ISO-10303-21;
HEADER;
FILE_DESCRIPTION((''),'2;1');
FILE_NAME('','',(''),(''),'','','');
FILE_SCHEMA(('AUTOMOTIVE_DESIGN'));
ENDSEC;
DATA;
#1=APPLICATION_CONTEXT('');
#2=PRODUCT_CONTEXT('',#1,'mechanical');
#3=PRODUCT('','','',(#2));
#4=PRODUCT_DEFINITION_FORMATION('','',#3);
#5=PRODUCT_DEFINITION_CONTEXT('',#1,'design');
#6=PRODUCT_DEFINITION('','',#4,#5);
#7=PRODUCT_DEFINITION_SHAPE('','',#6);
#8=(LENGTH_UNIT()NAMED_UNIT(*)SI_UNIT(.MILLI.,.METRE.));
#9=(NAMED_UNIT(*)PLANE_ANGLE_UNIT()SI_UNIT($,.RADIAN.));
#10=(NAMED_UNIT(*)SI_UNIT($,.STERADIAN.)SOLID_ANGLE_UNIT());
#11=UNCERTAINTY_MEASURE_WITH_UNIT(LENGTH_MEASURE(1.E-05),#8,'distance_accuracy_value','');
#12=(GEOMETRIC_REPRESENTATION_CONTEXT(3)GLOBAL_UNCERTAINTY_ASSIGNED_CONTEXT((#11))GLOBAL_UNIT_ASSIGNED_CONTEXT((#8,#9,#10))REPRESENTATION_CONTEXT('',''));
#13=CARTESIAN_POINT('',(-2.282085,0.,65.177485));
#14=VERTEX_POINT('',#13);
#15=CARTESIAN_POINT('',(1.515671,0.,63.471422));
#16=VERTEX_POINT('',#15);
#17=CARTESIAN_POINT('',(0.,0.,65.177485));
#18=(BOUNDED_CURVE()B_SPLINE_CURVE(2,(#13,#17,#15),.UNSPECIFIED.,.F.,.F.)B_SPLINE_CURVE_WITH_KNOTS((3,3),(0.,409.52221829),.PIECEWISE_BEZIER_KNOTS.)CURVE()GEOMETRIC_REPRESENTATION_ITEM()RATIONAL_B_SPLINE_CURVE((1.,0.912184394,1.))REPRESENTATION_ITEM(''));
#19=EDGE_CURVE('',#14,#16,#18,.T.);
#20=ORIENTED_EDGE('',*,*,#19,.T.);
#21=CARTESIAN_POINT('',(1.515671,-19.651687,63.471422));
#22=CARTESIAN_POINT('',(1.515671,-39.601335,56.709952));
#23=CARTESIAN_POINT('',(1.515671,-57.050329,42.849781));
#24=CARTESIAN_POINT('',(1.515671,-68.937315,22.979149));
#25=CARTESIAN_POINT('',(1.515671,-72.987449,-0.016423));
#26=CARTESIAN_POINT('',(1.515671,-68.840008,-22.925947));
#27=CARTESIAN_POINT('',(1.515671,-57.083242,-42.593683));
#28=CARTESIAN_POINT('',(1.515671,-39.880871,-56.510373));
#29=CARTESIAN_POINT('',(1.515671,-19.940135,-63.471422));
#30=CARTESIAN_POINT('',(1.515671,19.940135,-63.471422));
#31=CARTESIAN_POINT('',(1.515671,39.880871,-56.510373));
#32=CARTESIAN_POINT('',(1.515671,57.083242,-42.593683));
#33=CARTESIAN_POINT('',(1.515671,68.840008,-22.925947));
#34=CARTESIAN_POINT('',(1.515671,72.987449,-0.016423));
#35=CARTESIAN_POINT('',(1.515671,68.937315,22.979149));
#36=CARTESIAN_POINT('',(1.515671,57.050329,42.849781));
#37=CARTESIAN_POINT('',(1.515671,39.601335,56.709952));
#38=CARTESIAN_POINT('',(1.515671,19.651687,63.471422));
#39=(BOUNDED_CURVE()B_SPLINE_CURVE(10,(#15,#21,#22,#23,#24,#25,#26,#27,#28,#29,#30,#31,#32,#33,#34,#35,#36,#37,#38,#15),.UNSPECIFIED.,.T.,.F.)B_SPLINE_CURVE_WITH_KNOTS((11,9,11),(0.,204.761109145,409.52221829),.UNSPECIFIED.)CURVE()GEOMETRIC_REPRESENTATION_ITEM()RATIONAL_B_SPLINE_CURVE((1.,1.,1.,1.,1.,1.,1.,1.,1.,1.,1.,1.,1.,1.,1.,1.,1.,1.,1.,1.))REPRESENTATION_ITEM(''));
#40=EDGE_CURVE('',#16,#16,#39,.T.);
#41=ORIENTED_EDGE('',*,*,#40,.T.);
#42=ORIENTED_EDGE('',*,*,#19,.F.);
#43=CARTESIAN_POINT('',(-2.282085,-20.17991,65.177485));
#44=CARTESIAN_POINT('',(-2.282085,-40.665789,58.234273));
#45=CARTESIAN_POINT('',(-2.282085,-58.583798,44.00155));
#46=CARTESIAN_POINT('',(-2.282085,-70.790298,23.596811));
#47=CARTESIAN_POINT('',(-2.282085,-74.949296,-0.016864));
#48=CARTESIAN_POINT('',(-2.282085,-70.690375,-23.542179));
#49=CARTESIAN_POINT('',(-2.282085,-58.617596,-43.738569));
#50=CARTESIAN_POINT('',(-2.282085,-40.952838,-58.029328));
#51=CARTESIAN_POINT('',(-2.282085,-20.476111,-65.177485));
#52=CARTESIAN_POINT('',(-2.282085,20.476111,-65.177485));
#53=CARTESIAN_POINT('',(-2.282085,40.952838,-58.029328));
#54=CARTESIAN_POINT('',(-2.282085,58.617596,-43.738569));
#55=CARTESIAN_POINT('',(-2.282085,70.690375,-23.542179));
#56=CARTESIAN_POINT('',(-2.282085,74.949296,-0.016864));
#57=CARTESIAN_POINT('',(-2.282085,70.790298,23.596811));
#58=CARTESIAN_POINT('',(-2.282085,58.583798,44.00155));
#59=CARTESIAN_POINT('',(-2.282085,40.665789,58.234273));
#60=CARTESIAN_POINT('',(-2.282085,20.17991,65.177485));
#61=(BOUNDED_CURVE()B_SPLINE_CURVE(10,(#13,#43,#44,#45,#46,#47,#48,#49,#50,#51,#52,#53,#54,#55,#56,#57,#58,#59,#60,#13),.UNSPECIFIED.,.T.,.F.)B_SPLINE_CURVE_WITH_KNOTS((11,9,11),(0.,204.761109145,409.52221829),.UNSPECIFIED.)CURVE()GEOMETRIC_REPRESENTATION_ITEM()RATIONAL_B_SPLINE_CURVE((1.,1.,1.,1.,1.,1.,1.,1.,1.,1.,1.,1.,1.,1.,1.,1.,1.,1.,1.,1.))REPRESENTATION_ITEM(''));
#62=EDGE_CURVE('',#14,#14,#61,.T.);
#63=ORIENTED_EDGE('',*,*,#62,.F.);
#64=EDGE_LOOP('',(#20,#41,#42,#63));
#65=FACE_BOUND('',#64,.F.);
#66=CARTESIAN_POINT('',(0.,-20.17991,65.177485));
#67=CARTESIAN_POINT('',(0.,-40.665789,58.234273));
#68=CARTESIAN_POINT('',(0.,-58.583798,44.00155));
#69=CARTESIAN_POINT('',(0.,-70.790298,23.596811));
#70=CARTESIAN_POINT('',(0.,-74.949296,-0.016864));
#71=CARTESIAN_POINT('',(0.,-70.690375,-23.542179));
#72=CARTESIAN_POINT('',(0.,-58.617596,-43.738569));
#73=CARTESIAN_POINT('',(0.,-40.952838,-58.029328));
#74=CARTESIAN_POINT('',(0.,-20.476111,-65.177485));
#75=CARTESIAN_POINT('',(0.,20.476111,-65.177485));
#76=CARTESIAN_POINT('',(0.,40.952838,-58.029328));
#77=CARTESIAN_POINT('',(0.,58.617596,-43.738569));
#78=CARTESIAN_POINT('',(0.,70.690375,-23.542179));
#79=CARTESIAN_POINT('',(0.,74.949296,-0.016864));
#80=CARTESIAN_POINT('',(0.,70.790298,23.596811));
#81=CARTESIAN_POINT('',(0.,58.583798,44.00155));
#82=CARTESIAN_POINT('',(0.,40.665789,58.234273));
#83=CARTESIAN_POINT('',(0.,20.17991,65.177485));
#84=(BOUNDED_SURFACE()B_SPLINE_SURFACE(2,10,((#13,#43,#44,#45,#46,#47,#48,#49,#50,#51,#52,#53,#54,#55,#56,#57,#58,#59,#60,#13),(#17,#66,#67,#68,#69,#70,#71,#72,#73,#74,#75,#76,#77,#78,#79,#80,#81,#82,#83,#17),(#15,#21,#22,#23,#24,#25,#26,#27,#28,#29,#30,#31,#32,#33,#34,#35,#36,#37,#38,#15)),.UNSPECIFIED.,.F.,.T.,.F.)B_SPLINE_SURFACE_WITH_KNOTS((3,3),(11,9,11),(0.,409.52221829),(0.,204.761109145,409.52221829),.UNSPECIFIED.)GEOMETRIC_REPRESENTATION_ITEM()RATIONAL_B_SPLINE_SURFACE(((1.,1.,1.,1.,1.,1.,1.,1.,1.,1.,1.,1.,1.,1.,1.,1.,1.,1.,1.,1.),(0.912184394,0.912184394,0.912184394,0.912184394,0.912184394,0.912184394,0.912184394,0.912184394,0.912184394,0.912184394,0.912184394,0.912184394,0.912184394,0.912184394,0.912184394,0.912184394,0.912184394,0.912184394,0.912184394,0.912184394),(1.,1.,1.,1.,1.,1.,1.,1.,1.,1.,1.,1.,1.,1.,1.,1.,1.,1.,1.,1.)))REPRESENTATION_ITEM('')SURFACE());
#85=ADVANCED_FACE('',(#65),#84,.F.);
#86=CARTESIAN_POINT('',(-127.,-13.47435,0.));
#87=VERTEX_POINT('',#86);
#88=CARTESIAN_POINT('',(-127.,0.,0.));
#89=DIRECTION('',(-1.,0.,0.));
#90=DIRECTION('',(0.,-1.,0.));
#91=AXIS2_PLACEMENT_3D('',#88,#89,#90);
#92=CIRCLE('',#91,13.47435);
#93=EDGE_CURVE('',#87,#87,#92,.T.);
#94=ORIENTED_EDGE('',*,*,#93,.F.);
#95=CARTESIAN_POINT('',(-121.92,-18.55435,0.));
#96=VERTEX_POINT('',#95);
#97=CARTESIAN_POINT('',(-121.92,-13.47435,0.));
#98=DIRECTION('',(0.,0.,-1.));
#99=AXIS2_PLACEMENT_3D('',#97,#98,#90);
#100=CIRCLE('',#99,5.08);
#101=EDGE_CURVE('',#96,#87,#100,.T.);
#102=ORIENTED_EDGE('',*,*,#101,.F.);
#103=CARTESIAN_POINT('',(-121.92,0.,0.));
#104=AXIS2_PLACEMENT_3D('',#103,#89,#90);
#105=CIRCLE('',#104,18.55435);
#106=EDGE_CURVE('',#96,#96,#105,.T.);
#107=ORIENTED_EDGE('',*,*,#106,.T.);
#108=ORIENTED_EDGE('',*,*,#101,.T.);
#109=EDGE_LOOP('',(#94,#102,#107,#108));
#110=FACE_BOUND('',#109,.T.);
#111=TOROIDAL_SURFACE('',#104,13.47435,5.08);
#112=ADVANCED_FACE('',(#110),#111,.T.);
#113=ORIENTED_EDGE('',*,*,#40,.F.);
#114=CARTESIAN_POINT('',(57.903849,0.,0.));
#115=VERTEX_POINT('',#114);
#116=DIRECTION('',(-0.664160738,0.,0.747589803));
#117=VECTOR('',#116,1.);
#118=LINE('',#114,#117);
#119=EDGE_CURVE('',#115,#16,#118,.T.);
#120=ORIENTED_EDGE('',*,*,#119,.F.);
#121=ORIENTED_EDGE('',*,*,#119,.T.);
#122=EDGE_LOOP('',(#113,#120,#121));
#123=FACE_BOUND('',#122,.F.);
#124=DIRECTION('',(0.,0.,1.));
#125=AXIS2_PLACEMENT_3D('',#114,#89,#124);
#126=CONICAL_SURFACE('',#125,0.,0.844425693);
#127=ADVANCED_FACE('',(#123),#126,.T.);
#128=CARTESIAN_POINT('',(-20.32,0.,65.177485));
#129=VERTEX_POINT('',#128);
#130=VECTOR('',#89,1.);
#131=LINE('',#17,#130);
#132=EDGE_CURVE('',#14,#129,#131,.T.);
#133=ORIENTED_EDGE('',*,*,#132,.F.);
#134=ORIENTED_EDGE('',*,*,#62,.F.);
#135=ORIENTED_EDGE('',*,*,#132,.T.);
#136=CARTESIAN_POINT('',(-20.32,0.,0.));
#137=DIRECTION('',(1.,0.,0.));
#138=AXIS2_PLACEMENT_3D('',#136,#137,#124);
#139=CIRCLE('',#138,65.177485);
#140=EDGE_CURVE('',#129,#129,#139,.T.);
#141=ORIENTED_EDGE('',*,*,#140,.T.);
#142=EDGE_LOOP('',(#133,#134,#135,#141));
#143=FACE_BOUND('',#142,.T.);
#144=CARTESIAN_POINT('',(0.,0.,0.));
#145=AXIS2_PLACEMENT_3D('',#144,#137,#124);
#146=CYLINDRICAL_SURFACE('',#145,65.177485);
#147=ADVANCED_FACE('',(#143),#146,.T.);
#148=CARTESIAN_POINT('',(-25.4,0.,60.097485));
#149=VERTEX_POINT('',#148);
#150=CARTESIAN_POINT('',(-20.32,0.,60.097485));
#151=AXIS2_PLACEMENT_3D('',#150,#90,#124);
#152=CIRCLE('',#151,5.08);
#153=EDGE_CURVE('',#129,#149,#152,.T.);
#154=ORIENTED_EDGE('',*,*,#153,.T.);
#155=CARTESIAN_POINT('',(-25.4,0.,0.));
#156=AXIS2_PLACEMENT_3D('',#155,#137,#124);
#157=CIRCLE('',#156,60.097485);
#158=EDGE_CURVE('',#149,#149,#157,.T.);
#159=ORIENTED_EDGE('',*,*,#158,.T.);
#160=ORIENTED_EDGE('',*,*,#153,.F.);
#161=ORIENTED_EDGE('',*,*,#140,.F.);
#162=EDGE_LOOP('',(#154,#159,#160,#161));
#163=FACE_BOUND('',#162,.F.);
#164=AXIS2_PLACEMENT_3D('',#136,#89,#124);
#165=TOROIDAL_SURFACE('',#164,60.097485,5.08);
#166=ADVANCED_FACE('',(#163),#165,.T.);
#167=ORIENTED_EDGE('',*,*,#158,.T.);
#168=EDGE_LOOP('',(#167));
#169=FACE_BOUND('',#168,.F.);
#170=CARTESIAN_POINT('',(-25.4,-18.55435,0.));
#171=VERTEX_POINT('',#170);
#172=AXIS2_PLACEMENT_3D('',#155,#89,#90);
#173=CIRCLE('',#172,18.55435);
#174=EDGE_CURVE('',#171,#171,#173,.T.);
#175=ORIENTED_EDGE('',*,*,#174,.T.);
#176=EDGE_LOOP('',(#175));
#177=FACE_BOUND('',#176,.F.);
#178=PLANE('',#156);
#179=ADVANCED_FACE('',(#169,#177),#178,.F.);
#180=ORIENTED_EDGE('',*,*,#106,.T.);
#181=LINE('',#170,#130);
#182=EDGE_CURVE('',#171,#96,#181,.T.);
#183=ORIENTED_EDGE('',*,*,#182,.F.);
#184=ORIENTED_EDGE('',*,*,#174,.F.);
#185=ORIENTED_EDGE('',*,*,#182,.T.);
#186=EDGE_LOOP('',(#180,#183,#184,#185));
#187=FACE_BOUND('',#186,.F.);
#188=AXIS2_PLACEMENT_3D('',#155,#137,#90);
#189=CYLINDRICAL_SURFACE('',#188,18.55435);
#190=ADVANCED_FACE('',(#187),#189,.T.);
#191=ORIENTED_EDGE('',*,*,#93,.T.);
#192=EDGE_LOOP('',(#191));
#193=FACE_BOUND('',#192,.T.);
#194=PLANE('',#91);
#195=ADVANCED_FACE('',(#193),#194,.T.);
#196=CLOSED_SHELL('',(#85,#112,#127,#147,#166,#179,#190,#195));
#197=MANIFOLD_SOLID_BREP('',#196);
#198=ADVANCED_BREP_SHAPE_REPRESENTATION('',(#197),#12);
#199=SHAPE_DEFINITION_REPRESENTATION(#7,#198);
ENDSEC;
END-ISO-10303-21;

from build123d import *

# Parameters (mm, degrees)
F2_DEPTH = 25.4
F3_R     = 18.5543497172
F4_DEPTH = 101.6
F5_R     = 5.08
F6_R     = 5.08
F7_R     = 5.08


with BuildPart() as f1:
    # F0 (on Front) → F1 (revolve)
    with BuildSketch(Plane.XZ):
        Polygon((0, 65.1774853468), (0, 0), (57.9038485885, 0), align=None)
    revolve(axis=Axis((28.9519242942, 0, 0), (1, 0, 0)))

    # F2 (add): a face of the model
    f2_faces = [f1.faces().sort_by_distance(p)[0] for p in [
        (0, 0, 0),
    ]]
    extrude(f2_faces, amount=F2_DEPTH)

    # F3 (on face) → F4 (join)
    with BuildSketch(Plane(origin=(-25.4, 0, 0), x_dir=(0, -1, 0), z_dir=(-1, 0, 0))):
        Circle(F3_R)
    extrude(amount=F4_DEPTH)

    # F5
    f5_edges = [f1.edges().sort_by_distance(p)[0] for p in [
        (0, 0, -65.177485),
    ]]
    fillet(f5_edges, radius=F5_R)

    # F6
    f6_edges = [f1.edges().sort_by_distance(p)[0] for p in [
        (-25.4, 0, -65.177485),
    ]]
    fillet(f6_edges, radius=F6_R)

    # F7
    f7_edges = [f1.edges().sort_by_distance(p)[0] for p in [
        (-127, 18.55435, 0),
    ]]
    fillet(f7_edges, radius=F7_R)


solid = f1.part
